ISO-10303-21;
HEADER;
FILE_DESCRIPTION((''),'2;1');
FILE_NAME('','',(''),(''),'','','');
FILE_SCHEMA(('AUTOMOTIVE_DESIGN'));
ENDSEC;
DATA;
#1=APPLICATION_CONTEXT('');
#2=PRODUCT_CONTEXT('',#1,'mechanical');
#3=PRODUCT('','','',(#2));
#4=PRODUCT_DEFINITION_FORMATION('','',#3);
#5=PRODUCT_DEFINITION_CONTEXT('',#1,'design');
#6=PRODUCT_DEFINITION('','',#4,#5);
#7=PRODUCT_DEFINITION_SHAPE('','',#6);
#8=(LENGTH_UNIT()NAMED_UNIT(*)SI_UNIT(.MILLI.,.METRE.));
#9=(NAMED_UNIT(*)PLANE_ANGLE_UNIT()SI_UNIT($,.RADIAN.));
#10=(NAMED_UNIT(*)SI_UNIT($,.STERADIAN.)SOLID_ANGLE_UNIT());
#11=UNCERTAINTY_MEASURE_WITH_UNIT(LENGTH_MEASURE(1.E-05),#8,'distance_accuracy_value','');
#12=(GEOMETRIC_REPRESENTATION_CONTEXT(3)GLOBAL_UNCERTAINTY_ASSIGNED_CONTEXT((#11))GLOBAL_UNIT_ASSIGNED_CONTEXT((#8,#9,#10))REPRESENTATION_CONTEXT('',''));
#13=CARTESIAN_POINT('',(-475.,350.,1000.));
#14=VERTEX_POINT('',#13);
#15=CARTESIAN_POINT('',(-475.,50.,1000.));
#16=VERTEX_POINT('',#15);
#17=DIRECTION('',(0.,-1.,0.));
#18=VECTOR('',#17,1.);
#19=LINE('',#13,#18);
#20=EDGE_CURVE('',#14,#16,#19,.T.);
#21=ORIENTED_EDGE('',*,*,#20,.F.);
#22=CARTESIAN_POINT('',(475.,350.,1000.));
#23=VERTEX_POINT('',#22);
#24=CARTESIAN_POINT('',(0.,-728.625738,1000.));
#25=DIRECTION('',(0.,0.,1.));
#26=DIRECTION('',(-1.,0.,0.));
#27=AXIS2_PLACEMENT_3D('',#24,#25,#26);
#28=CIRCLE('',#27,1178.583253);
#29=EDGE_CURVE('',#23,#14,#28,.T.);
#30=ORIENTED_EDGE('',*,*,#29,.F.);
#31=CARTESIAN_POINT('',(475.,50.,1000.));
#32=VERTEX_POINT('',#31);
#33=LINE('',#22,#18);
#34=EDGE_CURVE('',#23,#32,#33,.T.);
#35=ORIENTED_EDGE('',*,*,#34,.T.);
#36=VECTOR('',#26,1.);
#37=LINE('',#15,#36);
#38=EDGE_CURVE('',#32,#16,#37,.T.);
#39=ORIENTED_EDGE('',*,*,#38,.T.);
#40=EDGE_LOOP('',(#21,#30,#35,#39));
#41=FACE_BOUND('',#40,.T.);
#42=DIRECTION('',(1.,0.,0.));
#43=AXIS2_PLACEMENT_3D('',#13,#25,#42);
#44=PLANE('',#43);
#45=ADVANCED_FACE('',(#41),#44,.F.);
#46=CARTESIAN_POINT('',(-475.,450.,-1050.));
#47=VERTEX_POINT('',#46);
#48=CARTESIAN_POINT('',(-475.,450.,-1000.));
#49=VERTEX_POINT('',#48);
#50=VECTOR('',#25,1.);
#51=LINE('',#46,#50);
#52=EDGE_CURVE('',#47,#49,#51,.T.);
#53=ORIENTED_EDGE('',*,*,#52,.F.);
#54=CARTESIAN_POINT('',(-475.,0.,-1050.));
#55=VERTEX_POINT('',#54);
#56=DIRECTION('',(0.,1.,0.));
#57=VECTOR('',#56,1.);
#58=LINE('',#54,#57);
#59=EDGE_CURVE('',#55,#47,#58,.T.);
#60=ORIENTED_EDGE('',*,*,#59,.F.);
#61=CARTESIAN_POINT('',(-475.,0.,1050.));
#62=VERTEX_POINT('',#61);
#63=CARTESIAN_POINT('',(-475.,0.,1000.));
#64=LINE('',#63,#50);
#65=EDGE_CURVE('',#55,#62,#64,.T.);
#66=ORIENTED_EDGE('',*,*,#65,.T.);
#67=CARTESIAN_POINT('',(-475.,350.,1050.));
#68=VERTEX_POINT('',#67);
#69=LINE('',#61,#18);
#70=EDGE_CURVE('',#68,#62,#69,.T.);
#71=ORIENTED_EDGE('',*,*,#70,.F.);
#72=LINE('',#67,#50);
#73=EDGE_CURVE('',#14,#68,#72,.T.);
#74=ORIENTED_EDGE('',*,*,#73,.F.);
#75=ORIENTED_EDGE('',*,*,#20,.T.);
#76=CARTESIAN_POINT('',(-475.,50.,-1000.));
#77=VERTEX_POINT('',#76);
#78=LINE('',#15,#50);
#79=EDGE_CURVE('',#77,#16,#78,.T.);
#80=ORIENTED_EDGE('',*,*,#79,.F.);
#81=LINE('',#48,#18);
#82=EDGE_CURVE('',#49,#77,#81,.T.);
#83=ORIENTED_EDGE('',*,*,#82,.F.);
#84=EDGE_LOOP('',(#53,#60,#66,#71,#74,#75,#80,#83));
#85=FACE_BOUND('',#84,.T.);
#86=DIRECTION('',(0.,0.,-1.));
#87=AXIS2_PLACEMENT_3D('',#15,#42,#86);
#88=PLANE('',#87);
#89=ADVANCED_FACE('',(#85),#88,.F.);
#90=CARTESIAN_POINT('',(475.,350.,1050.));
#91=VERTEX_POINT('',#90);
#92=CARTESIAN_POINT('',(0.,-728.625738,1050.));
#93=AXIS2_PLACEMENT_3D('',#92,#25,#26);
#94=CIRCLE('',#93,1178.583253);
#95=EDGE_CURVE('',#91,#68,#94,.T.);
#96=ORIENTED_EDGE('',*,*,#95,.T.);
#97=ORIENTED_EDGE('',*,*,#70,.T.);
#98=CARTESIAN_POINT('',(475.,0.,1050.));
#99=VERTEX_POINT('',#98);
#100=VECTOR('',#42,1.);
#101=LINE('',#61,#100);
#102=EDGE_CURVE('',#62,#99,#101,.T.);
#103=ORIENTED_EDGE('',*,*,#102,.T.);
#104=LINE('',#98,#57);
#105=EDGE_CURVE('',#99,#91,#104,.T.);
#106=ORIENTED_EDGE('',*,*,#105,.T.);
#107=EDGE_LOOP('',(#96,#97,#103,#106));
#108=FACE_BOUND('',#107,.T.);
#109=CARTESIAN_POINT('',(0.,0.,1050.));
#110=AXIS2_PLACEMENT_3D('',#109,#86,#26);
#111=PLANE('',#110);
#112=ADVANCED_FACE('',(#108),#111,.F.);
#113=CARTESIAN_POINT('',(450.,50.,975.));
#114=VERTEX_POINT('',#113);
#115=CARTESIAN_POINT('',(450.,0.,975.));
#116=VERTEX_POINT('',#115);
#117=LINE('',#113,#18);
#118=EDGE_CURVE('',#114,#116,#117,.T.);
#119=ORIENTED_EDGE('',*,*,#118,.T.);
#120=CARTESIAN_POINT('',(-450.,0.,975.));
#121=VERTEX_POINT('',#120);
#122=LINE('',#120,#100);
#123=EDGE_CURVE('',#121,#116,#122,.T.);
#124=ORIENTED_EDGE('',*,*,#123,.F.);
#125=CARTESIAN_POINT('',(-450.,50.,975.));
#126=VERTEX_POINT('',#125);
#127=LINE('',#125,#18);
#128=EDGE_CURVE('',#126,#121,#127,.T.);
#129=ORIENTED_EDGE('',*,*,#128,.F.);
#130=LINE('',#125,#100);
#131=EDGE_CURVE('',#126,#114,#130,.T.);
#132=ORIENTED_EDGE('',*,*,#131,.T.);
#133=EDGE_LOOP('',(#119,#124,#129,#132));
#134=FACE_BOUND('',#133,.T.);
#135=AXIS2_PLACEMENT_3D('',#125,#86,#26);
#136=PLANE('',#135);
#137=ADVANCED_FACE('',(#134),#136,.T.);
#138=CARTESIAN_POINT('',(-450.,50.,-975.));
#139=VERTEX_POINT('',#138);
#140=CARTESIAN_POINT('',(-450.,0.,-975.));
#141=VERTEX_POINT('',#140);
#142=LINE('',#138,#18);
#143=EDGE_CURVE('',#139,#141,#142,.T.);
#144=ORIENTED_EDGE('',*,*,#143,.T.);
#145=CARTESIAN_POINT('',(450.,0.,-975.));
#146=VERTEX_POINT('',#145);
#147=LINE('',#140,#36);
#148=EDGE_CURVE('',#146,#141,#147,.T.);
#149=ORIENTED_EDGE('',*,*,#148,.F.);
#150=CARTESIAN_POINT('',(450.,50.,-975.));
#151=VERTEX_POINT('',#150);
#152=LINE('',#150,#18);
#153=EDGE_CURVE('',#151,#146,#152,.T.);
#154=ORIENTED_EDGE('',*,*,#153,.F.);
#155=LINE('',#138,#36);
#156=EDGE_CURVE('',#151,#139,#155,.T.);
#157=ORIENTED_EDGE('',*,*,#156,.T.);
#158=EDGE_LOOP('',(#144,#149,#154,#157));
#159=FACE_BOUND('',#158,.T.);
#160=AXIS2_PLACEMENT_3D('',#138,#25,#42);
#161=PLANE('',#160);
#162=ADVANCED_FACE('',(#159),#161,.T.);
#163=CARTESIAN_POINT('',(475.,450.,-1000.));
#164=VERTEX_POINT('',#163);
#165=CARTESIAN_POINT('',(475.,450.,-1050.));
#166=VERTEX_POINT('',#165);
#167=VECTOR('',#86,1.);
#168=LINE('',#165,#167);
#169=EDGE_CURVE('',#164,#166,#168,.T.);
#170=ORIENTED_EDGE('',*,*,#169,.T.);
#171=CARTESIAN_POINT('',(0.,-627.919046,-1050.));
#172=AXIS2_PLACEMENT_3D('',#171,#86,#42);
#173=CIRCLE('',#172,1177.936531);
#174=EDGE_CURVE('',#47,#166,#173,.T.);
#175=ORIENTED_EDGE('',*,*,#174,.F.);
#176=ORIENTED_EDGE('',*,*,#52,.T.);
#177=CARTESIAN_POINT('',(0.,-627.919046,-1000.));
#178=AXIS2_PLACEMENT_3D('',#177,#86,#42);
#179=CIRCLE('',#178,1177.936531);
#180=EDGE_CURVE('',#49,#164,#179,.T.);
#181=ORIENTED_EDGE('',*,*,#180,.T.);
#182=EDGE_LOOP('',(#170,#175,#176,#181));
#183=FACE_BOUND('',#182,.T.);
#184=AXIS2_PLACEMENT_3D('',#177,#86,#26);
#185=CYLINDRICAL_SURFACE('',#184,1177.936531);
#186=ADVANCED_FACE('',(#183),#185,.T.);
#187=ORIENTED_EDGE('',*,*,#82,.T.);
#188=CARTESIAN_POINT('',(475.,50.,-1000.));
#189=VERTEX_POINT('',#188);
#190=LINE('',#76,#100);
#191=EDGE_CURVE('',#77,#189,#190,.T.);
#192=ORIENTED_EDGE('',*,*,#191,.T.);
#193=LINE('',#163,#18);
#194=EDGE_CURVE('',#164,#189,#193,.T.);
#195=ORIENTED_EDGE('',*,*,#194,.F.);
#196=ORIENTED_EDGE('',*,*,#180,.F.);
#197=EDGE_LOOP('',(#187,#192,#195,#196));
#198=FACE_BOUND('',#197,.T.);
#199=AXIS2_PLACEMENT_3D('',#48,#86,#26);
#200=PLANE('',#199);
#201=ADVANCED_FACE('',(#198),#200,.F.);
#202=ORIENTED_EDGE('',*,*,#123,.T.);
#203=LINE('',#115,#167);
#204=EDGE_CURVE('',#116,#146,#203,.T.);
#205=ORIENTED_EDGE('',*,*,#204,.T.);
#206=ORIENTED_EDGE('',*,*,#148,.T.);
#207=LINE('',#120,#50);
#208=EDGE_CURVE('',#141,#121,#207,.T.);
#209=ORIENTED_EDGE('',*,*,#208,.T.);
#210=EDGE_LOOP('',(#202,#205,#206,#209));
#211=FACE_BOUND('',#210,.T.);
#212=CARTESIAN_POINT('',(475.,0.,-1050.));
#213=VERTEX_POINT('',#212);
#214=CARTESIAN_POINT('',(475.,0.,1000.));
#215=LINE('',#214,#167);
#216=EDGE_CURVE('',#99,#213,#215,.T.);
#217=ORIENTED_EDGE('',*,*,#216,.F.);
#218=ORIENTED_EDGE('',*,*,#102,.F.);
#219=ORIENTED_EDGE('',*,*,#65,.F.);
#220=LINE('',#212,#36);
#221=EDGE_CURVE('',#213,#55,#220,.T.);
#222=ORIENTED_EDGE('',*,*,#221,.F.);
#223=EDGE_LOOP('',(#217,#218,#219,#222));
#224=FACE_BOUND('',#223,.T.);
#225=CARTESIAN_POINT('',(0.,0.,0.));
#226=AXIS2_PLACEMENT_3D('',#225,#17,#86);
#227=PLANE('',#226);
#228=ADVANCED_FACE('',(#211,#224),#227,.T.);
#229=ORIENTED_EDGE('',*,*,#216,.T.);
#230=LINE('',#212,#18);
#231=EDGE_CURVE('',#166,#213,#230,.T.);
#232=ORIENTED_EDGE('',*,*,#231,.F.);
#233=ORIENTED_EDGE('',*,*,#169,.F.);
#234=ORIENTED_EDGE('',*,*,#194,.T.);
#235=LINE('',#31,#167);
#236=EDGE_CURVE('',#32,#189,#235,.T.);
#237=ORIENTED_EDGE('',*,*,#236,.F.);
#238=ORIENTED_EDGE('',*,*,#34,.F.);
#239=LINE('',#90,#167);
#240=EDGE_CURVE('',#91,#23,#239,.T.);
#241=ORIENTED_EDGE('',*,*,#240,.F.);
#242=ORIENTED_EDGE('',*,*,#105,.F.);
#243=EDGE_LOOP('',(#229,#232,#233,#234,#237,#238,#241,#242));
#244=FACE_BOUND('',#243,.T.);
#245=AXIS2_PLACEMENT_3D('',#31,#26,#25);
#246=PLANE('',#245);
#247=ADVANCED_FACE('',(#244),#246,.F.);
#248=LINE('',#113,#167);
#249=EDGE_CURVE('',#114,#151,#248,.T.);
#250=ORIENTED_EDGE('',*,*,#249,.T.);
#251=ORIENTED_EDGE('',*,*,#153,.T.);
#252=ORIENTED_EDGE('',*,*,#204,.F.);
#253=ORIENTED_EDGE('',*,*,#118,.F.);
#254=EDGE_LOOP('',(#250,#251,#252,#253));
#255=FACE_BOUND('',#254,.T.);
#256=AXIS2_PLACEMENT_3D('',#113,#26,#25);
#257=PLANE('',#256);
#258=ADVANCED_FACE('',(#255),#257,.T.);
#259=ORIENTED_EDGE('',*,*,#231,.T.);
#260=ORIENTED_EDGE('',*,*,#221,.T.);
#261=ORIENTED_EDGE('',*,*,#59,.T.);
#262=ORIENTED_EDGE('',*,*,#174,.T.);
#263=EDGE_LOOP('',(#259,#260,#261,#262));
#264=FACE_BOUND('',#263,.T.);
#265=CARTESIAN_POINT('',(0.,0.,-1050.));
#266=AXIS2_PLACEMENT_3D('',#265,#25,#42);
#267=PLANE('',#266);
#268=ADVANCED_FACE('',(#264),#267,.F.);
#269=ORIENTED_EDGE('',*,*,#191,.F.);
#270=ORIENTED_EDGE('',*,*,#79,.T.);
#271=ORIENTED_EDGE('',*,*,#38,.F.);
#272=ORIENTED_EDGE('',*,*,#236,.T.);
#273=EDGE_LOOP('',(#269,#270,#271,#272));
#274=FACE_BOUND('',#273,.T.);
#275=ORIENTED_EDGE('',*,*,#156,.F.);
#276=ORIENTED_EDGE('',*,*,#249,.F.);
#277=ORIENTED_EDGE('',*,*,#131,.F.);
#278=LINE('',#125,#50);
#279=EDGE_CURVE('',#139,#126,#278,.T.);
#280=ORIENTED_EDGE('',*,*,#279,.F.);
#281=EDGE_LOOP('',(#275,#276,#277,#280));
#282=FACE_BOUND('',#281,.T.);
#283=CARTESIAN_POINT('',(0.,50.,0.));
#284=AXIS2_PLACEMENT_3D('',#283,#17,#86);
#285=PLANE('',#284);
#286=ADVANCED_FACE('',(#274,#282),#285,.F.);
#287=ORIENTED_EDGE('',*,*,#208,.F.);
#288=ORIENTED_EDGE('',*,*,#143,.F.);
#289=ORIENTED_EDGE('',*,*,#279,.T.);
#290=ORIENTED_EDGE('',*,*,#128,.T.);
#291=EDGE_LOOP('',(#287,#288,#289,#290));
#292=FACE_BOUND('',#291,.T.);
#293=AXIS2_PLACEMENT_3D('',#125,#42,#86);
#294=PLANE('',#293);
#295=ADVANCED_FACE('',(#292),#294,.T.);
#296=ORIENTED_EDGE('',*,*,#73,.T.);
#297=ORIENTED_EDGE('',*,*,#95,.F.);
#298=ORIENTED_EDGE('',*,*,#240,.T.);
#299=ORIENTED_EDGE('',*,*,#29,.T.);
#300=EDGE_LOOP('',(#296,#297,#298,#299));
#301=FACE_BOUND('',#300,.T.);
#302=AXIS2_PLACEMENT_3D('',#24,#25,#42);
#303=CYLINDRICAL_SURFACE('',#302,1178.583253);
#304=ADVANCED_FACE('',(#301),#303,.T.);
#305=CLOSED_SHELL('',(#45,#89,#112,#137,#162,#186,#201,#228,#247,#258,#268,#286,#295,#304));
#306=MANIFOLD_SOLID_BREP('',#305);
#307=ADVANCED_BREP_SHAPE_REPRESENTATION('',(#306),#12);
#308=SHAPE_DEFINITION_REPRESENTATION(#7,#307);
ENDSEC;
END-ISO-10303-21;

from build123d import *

# Parameters (mm, degrees)
CROQUIS1_W               = 950
CROQUIS1_H               = 2000
CROQUIS1_W_2             = 900
CROQUIS1_H_2             = 1950
SALIENTE_EXTRUIR1_DEPTH  = 50
CROQUIS3_W               = 950
CROQUIS3_H               = 50
SALIENTE_EXTRUIR3_DEPTH  = 50
CROQUIS6_W               = 950
CROQUIS6_H               = 50
SALIENTE_EXTRUIR6_DEPTH  = 50
CROQUIS4_W               = 950
CROQUIS4_H               = 50
SALIENTE_EXTRUIR7_DEPTH  = 400
SALIENTE_EXTRUIR8_DEPTH  = 50
CROQUIS9_W               = 950
CROQUIS9_H               = 50
SALIENTE_EXTRUIR9_DEPTH  = 300
SALIENTE_EXTRUIR10_DEPTH = 50


with BuildPart() as part:
    # Croquis1 → Saliente-Extruir1 (new body)
    with BuildSketch(Plane(origin=(0, 0, 0), x_dir=(1, 0, 0), z_dir=(0, 1, 0))):
        Rectangle(CROQUIS1_W, CROQUIS1_H)
        Rectangle(CROQUIS1_W_2, CROQUIS1_H_2, mode=Mode.SUBTRACT)
    extrude(amount=SALIENTE_EXTRUIR1_DEPTH)

    # Croquis3 → Saliente-Extruir3 (add)
    with BuildSketch(Plane(origin=(0, 0, -1000), x_dir=(-1, 0, 0), z_dir=(0, 0, -1))):
        with Locations((0, 25)):
            Rectangle(CROQUIS3_W, CROQUIS3_H)
    extrude(amount=SALIENTE_EXTRUIR3_DEPTH)

    # Croquis6 → Saliente-Extruir6 (add)
    with BuildSketch(Plane.XY.offset(1000)):
        with Locations((0, 25)):
            Rectangle(CROQUIS6_W, CROQUIS6_H)
    extrude(amount=SALIENTE_EXTRUIR6_DEPTH)

    # Croquis4 → Saliente-Extruir7 (add)
    with BuildSketch(Plane(origin=(0, 50, 0), x_dir=(1, 0, 0), z_dir=(0, 1, 0))):
        with Locations((0, 1025)):
            Rectangle(CROQUIS4_W, CROQUIS4_H)
    extrude(amount=SALIENTE_EXTRUIR7_DEPTH)

    # Croquis8 → Saliente-Extruir8 (add)
    with BuildSketch(Plane(origin=(0, 0, -1050), x_dir=(-1, 0, 0), z_dir=(0, 0, -1))):
        with BuildLine():
            Line((-475, 450), (475, 450))
            ThreePointArc((475, 450), (0, 550.017484419), (-475, 450))
        make_face()
    extrude(amount=-SALIENTE_EXTRUIR8_DEPTH)

    # Croquis9 → Saliente-Extruir9 (add)
    with BuildSketch(Plane(origin=(0, 50, 0), x_dir=(1, 0, 0), z_dir=(0, 1, 0))):
        with Locations((0, -1025)):
            Rectangle(CROQUIS9_W, CROQUIS9_H)
    extrude(amount=SALIENTE_EXTRUIR9_DEPTH)

    # Croquis10 → Saliente-Extruir10 (add)
    with BuildSketch(Plane.XY.offset(1050)):
        with BuildLine():
            Line((-475, 350), (475, 350))
            ThreePointArc((475, 350), (0, 449.957514301), (-475, 350))
        make_face()
    extrude(amount=-SALIENTE_EXTRUIR10_DEPTH)


solid = part.part
